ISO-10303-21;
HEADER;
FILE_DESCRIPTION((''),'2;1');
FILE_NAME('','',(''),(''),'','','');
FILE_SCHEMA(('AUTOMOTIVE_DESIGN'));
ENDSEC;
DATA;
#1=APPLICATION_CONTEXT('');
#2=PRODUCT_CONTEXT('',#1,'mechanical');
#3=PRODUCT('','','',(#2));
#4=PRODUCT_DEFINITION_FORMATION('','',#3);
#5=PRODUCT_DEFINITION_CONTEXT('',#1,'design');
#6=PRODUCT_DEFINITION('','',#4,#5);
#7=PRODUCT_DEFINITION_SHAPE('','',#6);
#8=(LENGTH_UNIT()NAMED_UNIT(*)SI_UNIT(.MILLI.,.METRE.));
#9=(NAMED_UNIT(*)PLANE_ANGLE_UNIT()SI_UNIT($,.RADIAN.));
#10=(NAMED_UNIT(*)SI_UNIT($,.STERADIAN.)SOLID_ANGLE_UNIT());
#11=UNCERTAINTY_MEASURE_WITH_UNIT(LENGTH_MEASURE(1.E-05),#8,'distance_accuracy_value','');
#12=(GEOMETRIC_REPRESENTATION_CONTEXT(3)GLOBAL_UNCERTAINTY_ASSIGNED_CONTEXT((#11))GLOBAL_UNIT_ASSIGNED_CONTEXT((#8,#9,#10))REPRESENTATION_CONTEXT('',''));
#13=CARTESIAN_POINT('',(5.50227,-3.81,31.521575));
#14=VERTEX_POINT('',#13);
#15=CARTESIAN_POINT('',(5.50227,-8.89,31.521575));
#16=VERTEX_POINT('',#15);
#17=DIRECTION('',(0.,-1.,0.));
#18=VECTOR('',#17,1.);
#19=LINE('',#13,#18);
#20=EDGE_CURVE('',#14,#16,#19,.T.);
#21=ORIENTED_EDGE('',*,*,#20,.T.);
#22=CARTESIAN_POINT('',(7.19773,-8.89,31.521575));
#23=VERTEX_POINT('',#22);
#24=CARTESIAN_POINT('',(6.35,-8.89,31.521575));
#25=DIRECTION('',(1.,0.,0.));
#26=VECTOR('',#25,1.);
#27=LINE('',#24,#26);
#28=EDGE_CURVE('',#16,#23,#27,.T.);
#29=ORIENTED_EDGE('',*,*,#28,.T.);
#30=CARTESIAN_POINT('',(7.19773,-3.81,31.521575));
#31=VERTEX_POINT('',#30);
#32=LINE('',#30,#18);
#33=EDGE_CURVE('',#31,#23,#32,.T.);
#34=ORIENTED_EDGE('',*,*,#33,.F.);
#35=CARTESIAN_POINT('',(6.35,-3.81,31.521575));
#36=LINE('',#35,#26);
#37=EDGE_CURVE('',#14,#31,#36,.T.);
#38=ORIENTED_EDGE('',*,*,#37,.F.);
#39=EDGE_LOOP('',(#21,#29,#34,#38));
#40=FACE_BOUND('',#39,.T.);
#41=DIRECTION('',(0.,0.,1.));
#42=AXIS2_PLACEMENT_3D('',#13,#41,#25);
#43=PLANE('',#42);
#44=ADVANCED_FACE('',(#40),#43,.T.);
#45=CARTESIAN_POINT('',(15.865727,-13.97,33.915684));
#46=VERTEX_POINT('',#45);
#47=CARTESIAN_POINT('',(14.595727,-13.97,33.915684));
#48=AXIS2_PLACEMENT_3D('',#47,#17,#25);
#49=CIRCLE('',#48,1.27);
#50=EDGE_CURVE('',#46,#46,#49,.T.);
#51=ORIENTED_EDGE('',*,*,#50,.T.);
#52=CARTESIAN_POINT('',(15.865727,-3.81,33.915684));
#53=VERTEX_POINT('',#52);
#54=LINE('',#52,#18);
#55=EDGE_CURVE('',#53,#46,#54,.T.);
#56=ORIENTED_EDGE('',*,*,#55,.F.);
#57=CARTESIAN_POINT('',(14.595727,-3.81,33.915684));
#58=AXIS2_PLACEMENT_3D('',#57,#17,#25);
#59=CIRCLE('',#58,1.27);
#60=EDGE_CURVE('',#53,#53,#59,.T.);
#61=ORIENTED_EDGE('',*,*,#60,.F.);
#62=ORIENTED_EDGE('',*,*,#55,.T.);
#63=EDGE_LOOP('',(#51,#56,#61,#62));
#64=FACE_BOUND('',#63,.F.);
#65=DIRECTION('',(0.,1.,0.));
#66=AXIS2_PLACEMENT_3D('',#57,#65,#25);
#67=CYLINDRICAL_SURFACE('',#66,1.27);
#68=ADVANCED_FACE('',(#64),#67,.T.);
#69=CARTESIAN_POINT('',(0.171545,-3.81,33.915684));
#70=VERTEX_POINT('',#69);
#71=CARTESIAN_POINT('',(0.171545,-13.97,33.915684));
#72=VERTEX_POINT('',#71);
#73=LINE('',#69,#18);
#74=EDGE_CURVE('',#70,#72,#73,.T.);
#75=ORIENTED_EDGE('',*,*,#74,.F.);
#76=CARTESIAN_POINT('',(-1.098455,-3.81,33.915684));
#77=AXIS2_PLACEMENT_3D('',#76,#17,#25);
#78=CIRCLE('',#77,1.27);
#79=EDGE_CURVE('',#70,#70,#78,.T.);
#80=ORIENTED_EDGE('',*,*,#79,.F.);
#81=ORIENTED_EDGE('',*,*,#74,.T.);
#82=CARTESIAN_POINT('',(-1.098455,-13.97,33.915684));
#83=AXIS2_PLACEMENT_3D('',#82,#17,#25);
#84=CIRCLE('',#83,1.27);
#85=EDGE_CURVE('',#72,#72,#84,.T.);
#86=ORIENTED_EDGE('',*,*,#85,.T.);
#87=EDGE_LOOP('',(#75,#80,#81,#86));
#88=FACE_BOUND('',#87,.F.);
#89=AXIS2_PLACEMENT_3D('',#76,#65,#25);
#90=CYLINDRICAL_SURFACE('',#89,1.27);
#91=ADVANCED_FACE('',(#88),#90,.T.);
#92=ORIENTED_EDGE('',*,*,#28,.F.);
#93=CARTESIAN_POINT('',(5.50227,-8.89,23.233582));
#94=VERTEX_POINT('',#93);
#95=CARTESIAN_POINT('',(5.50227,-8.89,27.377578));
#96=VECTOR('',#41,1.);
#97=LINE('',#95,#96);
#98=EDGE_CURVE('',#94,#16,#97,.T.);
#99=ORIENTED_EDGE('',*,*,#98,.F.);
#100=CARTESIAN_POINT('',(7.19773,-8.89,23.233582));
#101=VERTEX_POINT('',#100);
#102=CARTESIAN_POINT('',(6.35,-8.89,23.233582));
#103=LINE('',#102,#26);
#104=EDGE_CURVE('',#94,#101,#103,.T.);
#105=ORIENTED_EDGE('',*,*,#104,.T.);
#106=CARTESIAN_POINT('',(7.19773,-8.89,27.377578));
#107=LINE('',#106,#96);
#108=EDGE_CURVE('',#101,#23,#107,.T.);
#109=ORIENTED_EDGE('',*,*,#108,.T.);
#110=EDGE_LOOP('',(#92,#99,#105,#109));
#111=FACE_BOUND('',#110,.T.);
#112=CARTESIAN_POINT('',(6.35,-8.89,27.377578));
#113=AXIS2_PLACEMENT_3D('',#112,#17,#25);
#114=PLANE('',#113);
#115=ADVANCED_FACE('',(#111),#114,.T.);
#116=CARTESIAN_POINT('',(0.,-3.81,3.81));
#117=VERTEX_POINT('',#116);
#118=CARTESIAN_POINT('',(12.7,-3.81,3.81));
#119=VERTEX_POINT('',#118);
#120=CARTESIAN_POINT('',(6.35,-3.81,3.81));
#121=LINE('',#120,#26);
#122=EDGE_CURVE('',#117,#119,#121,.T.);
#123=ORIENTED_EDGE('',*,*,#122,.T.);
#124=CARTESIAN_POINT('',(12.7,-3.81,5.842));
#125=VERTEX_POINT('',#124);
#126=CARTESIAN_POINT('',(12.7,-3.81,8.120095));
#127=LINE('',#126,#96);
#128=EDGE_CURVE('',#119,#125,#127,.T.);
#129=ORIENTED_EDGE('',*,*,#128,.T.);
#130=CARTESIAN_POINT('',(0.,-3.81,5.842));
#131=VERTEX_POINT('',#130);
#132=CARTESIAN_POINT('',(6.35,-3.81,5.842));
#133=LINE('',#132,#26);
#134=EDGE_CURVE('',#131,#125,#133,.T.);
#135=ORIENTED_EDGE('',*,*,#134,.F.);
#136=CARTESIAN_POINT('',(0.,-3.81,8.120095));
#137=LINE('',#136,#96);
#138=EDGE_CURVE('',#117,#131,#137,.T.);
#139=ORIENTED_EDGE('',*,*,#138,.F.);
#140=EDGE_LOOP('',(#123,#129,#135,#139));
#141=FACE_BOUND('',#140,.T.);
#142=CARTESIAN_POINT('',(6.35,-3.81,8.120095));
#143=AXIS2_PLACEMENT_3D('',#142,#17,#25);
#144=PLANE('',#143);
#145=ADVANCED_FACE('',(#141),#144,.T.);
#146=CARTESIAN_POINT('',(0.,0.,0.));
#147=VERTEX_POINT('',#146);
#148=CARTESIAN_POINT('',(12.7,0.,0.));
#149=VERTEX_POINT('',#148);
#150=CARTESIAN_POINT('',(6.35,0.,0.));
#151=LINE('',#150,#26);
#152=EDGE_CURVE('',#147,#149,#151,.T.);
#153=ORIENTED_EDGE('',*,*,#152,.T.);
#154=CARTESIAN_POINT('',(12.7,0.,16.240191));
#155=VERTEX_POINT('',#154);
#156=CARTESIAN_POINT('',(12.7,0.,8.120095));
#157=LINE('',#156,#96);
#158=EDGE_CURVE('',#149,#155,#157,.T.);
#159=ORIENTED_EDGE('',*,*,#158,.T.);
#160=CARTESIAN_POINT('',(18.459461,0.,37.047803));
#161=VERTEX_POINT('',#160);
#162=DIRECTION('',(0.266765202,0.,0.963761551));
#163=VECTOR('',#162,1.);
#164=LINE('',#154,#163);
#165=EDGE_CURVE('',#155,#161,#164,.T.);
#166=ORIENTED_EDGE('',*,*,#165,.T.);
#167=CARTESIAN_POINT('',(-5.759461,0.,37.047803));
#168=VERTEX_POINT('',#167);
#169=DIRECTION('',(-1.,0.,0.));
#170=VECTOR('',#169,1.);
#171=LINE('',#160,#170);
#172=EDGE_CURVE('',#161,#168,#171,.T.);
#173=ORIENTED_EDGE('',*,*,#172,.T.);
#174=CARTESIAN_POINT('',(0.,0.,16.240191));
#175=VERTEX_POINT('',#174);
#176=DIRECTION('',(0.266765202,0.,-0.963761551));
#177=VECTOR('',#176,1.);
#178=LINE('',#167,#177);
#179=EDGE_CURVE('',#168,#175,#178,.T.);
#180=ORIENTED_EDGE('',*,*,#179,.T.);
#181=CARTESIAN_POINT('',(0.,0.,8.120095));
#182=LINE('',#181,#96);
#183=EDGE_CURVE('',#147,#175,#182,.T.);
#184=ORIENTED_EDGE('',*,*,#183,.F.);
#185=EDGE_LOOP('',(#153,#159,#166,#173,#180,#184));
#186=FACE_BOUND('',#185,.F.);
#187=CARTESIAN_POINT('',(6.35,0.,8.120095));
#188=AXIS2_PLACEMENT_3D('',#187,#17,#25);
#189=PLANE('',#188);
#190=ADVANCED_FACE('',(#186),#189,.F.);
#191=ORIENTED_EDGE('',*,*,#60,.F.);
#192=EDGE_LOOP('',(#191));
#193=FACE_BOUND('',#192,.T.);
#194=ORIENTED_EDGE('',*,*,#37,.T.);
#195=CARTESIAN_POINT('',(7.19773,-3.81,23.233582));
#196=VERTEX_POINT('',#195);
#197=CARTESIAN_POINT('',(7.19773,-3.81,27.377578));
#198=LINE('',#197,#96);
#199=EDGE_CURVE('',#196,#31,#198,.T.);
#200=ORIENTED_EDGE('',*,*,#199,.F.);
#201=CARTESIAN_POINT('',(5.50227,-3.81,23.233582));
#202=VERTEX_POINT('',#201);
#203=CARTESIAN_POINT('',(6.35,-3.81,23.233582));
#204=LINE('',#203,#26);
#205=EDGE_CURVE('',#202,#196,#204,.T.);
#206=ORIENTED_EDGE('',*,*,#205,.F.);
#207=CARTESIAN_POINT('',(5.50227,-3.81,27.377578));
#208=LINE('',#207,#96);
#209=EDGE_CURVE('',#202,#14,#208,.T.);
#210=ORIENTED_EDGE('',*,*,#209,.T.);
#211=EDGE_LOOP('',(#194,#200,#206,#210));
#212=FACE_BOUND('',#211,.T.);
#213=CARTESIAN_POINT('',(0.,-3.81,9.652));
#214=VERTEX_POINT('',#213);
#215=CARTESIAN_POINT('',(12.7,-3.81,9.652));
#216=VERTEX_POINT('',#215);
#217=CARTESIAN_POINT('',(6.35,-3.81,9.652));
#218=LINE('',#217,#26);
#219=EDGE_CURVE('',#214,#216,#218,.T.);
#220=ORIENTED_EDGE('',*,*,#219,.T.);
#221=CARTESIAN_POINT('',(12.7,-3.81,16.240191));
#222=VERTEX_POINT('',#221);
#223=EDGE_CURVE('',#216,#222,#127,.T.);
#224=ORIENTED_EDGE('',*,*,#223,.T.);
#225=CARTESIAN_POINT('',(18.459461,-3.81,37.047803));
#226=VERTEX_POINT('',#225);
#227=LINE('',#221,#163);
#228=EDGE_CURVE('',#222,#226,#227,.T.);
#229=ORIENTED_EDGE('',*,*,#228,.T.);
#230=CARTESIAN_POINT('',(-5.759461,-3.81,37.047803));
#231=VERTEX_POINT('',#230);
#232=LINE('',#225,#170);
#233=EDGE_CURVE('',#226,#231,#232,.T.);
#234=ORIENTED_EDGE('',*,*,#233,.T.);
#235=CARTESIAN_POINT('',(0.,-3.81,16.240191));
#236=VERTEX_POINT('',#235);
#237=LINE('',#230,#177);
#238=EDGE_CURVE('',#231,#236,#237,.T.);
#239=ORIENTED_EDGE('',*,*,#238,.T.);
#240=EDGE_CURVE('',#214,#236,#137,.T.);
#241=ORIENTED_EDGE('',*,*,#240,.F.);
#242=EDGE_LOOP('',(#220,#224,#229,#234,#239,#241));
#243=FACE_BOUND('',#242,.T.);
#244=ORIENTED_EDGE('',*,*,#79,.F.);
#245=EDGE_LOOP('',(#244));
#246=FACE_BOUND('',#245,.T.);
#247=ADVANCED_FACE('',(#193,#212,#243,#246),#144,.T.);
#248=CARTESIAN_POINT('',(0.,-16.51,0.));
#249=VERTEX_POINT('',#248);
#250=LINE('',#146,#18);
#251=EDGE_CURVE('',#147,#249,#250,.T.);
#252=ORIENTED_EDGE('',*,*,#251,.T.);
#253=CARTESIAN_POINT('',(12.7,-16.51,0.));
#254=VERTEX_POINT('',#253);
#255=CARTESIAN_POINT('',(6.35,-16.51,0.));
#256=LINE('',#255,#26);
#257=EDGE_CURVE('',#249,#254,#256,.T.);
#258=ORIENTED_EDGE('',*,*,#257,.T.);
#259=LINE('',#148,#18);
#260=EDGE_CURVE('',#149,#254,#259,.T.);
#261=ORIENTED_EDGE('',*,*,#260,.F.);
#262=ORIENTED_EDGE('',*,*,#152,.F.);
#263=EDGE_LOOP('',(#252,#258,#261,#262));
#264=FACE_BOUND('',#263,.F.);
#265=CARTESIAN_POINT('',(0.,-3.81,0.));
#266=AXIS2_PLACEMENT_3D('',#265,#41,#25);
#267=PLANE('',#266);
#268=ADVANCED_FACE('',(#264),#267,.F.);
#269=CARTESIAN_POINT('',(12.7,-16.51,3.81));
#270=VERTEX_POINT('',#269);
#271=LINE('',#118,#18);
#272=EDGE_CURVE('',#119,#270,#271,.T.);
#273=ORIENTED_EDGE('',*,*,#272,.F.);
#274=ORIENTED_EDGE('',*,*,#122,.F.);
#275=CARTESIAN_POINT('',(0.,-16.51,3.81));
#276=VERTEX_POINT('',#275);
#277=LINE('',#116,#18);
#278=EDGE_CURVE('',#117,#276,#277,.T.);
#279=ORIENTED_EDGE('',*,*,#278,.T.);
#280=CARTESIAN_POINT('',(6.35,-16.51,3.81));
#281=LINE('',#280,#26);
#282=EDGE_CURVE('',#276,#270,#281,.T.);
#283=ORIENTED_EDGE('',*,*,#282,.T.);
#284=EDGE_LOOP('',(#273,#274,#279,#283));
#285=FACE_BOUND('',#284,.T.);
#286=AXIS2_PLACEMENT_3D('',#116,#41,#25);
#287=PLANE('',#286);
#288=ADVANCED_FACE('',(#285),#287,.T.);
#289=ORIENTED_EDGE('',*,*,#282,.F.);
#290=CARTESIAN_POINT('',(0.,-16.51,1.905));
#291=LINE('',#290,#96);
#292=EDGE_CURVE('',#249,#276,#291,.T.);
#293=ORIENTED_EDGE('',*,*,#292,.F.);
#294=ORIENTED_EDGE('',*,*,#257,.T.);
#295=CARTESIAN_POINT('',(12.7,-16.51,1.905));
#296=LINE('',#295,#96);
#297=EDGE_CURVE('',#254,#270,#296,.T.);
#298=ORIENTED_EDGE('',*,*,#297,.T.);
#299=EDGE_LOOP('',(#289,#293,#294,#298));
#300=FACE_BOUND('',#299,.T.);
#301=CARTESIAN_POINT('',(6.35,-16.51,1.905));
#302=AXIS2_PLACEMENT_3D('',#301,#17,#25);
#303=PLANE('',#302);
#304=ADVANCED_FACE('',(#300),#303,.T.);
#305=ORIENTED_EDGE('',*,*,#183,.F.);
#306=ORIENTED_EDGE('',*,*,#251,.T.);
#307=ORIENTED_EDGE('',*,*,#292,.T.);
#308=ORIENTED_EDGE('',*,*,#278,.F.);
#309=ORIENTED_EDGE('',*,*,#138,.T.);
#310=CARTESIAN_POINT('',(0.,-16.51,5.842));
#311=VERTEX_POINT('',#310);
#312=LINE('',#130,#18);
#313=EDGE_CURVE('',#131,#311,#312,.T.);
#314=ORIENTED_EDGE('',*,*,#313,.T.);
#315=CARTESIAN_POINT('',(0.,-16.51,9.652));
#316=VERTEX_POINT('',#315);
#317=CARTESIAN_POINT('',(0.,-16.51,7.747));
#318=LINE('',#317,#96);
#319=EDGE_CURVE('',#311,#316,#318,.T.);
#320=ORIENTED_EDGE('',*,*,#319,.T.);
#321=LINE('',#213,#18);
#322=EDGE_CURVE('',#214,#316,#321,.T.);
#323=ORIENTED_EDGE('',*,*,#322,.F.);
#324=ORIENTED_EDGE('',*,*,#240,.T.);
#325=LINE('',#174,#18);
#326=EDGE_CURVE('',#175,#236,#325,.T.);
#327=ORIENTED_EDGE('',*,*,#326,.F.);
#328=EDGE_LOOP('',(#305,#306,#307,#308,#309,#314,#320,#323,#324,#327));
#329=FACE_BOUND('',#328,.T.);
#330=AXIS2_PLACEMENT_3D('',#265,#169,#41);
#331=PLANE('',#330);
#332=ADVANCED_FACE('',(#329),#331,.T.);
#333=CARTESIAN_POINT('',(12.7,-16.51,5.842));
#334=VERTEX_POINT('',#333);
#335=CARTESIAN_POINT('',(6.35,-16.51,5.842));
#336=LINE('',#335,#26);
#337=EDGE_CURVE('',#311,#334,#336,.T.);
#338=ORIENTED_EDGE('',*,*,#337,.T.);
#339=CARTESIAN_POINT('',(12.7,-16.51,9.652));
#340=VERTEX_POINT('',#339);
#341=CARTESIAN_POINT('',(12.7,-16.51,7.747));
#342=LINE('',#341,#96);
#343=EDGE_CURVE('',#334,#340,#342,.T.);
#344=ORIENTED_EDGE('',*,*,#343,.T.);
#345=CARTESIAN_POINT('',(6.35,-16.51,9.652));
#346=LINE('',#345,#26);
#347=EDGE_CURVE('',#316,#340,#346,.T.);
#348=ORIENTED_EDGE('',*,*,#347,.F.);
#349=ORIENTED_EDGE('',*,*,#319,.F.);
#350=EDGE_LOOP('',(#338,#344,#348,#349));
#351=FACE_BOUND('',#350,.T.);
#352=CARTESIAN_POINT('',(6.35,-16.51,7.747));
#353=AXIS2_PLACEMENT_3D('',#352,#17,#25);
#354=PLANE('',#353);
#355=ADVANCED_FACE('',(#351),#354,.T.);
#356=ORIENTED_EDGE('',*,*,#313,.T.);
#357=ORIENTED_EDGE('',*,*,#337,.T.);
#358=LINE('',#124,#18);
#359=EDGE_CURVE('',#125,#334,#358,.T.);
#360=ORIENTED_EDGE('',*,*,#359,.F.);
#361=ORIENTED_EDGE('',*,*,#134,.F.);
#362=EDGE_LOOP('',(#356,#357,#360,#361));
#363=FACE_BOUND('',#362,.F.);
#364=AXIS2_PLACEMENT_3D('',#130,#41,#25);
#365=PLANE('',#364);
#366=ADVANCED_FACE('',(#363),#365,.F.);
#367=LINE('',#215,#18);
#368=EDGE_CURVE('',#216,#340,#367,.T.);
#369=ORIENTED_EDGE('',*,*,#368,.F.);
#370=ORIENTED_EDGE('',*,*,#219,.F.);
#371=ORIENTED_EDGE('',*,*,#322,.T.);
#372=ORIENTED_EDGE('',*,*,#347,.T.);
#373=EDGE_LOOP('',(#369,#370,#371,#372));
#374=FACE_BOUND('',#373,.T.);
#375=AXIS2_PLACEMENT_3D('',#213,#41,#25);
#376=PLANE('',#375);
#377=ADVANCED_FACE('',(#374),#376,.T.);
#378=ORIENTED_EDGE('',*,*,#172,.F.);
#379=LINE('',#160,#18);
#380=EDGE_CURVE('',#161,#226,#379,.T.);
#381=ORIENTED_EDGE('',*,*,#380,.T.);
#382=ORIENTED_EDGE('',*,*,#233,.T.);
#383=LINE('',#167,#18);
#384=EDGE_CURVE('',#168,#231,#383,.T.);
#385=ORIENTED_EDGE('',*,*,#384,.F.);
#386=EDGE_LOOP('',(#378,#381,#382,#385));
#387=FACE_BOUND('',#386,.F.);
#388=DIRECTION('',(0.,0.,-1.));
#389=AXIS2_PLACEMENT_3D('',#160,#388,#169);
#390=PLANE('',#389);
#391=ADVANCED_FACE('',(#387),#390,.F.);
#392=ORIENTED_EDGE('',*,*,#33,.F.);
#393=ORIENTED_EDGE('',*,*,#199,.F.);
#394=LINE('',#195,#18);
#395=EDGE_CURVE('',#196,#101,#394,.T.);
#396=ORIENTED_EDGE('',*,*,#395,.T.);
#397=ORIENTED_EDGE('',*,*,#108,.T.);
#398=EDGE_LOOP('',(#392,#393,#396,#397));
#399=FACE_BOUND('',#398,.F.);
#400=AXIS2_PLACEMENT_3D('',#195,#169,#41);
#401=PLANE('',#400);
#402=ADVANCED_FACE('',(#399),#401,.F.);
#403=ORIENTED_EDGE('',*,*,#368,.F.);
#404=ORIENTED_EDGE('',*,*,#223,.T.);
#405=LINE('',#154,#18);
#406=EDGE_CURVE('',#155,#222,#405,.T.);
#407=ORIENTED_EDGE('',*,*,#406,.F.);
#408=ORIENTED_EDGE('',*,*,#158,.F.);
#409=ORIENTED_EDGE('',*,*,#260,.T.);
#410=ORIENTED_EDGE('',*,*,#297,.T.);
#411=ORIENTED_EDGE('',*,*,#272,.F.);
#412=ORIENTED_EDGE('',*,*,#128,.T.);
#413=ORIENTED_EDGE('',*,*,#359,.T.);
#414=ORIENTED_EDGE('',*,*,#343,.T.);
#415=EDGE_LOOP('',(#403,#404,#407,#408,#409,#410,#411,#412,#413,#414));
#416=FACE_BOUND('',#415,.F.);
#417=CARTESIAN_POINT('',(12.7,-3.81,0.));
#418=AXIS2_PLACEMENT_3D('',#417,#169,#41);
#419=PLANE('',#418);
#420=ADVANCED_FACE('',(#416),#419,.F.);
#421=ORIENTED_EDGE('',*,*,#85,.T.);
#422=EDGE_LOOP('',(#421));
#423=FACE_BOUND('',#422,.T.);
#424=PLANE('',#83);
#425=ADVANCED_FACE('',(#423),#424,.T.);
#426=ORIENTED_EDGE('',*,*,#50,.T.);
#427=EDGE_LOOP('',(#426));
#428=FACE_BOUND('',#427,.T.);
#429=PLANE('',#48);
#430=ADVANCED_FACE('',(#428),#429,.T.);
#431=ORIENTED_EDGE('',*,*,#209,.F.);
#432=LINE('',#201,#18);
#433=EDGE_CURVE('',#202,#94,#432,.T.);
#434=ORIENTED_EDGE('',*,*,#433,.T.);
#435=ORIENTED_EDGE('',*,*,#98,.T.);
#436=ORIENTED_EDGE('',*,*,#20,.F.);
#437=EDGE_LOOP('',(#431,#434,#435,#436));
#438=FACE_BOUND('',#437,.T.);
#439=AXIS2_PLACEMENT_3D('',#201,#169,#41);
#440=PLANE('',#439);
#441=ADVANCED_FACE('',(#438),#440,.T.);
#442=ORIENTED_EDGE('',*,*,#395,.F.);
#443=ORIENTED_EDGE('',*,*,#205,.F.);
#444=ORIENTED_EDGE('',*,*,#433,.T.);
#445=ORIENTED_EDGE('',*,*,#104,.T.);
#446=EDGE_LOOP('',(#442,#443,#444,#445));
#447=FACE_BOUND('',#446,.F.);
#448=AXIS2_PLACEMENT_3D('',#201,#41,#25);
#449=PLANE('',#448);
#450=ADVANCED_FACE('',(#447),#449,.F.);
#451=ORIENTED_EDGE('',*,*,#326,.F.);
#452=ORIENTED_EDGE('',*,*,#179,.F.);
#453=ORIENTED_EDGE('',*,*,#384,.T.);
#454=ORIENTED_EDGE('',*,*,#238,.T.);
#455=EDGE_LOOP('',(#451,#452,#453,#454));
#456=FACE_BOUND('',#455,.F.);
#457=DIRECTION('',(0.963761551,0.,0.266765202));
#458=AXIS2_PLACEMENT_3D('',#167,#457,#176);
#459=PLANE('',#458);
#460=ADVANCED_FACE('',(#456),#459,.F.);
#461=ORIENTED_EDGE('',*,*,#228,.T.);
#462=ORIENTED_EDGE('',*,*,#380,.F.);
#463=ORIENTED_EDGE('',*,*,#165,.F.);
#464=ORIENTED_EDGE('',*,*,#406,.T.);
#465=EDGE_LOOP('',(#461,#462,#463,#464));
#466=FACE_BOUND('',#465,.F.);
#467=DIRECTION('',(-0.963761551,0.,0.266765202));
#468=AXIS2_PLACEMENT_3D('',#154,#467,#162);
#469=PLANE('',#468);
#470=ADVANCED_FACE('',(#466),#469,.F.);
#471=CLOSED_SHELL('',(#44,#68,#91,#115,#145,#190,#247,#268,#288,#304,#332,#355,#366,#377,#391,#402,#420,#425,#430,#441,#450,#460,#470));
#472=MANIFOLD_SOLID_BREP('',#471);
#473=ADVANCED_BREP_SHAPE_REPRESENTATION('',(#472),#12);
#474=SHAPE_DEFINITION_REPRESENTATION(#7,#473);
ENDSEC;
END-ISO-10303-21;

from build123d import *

# Parameters (mm, degrees)
F0_W     = 12.7
F0_H     = 16.2401907146
F1_DEPTH = 3.81
F2_W     = 12.7
F2_H     = 3.81
F3_DEPTH = 12.7
F4_R     = 1.27
F5_DEPTH = 10.16
F6_W     = 1.6954607129
F6_H     = 8.2879924147
F7_DEPTH = 5.08


with BuildPart() as f1:
    # F0 (on Front) → F1 (new body)
    with BuildSketch(Plane.XZ):
        with Locations((6.35, 8.1200953573)):
            Rectangle(F0_W, F0_H)
        Polygon((-5.7594607129, 37.0478025981), (0, 16.2401907146), (12.7, 16.2401907146), (18.4594607129, 37.0478025981), align=None)
    extrude(amount=F1_DEPTH)

    # F2 (on face) → F3 (join)
    with BuildSketch(Plane.XZ.offset(3.81)):
        with Locations((6.35, 1.905)):
            Rectangle(F2_W, F2_H)
        with Locations((6.35, 7.747)):
            Rectangle(F2_W, F2_H)
    extrude(amount=F3_DEPTH)

    # F4 (on face) → F5 (join)
    with BuildSketch(Plane.XZ.offset(3.81)):
        with Locations((14.5957274362, 33.9156836271)):
            Circle(F4_R)
        with Locations((-1.0984551627, 33.9156836271)):
            Circle(F4_R)
    extrude(amount=F5_DEPTH)

    # F6 (on face) → F7 (join)
    with BuildSketch(Plane.XZ.offset(3.81)):
        with Locations((6.35, 27.3775784299)):
            Rectangle(F6_W, F6_H)
    extrude(amount=F7_DEPTH)


solid = f1.part
